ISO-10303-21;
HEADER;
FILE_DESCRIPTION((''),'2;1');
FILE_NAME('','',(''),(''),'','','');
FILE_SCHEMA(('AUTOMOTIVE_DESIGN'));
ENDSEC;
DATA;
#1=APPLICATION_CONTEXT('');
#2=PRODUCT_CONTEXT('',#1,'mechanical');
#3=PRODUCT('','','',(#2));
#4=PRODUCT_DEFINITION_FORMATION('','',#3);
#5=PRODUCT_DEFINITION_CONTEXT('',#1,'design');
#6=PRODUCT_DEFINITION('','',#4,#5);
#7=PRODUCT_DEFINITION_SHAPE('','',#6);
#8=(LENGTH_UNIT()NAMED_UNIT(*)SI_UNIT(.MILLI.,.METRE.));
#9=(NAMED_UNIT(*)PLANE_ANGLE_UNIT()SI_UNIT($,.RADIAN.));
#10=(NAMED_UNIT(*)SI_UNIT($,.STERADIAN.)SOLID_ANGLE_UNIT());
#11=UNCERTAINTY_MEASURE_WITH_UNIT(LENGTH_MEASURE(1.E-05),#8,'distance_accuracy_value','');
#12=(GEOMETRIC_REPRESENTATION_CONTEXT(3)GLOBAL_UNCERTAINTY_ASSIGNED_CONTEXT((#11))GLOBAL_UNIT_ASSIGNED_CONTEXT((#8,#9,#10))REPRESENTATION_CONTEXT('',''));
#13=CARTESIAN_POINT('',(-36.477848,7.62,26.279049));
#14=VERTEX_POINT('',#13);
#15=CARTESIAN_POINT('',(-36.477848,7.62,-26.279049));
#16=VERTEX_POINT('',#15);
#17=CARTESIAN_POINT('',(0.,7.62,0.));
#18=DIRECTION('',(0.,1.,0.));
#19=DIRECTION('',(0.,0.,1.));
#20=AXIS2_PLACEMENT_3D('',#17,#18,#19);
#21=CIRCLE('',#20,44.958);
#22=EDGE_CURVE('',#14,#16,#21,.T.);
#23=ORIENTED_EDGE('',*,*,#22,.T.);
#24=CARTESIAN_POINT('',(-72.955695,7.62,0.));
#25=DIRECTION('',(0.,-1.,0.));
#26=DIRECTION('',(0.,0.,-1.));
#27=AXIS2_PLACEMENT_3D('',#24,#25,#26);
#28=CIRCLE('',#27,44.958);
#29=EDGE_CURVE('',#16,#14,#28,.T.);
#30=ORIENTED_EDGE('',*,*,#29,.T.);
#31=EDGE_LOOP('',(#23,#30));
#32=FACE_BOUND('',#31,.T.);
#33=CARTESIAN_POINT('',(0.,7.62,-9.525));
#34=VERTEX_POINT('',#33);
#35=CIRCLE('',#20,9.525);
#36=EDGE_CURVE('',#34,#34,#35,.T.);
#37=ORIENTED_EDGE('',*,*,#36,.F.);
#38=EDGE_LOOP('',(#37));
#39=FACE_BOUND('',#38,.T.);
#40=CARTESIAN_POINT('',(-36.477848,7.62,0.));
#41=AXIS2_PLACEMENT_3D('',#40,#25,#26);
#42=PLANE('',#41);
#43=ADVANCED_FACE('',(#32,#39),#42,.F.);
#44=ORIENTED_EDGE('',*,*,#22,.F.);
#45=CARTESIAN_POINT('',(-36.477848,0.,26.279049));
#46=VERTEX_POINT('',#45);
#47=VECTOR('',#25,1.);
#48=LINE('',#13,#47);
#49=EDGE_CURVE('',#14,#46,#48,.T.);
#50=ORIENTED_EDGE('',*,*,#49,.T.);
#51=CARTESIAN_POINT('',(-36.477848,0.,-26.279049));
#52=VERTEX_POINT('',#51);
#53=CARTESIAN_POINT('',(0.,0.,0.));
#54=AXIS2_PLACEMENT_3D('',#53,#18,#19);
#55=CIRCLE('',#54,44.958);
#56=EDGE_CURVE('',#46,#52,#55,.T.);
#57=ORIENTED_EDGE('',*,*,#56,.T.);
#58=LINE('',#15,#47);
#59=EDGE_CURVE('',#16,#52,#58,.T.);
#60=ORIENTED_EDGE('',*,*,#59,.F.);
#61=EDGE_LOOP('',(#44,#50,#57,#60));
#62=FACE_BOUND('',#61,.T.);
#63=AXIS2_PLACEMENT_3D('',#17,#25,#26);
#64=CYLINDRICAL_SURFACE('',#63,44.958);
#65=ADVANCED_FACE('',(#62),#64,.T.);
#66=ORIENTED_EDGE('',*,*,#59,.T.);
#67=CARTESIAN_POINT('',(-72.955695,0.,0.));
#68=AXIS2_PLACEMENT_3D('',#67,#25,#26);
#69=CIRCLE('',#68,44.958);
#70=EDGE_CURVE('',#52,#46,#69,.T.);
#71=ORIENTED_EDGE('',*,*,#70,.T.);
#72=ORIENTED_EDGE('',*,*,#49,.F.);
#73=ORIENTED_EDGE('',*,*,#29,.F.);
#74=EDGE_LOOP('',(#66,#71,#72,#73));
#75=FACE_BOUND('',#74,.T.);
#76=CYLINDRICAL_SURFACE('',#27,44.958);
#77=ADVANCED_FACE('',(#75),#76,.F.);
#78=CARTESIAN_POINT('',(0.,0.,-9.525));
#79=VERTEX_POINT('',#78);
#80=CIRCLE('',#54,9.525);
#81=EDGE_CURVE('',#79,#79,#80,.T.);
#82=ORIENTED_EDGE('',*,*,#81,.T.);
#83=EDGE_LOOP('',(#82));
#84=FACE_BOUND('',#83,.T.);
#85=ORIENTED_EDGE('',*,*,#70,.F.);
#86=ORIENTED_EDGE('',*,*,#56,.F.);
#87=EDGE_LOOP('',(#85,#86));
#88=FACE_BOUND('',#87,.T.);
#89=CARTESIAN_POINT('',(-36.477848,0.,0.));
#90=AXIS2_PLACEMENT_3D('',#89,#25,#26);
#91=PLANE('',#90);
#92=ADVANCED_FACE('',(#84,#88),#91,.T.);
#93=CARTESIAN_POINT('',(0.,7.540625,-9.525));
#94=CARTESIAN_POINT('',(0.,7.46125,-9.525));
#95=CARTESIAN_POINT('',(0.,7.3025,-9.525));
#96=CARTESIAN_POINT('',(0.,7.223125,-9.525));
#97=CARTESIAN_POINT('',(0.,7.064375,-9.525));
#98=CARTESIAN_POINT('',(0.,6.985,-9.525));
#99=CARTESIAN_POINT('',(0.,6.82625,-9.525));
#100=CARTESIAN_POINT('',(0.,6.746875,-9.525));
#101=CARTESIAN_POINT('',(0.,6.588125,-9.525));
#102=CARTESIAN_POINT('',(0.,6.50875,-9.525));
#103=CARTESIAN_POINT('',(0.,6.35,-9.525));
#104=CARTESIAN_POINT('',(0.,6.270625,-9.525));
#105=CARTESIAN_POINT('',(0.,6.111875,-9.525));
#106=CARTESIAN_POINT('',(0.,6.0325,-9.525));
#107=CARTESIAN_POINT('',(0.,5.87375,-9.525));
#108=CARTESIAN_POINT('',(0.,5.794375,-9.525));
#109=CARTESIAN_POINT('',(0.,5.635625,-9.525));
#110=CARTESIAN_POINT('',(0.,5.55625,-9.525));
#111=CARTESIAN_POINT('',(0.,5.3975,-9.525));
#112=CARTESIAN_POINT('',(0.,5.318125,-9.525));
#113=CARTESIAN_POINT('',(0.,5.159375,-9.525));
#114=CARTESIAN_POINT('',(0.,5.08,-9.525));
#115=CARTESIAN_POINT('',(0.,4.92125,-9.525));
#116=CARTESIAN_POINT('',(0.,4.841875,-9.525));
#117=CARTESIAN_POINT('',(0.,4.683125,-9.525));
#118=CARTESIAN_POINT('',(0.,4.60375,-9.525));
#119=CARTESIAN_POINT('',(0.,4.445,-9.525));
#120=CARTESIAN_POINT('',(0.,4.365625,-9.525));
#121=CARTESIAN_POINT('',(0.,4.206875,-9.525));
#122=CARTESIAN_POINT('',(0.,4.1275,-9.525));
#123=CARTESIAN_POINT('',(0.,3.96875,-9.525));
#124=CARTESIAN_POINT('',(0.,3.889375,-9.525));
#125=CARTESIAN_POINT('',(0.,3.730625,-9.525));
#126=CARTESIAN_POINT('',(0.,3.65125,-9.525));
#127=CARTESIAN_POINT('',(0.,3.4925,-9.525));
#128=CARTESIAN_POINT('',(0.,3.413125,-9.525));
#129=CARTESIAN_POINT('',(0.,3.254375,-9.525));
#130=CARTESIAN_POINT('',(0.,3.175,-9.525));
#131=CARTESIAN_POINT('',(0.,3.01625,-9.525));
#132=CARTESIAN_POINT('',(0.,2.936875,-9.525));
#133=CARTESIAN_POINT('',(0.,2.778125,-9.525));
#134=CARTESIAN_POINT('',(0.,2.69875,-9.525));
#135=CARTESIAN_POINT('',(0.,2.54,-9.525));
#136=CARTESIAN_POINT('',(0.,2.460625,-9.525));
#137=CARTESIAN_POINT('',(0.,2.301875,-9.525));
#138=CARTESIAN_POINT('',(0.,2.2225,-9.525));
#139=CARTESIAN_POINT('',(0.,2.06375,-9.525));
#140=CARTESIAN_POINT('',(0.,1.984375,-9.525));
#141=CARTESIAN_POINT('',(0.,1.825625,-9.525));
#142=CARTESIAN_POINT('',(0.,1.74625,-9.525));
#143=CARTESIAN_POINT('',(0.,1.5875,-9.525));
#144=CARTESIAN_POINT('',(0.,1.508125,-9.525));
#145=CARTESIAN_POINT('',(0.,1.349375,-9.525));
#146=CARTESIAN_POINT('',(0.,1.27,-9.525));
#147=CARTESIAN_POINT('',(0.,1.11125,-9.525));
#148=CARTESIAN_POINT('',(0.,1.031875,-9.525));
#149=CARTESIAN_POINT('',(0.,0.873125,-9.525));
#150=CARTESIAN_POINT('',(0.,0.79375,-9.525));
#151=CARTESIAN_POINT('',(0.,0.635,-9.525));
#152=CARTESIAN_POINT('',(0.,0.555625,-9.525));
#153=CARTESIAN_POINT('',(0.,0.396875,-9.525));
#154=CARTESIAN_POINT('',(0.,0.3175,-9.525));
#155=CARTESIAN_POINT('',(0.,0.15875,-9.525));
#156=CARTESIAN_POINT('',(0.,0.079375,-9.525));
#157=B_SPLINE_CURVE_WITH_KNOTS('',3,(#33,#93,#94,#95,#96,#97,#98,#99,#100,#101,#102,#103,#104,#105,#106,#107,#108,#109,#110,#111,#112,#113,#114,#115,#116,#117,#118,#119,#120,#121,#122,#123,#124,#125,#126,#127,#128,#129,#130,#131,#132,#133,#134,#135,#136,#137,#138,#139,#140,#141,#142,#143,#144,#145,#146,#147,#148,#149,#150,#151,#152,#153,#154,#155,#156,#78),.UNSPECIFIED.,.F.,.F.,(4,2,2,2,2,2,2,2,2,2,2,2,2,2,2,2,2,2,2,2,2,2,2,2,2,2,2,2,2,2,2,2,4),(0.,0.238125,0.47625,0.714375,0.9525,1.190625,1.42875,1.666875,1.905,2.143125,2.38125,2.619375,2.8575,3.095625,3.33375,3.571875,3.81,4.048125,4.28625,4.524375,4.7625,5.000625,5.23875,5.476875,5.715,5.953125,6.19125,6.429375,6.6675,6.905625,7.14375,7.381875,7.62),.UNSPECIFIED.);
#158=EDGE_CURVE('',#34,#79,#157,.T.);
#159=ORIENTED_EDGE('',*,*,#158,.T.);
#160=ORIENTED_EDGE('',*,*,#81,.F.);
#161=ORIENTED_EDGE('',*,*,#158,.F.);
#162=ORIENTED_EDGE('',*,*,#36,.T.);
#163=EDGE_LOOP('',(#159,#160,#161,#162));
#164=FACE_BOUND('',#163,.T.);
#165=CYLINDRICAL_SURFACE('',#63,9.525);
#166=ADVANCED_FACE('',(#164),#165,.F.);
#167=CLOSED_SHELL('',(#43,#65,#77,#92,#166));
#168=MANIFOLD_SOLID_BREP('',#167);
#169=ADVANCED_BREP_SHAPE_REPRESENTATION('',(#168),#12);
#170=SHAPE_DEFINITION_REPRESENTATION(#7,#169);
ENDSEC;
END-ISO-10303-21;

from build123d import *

# Parameters (mm, degrees)
SKETCH1_R           = 9.525
BOSS_EXTRUDE1_DEPTH = 7.62


with BuildPart() as part:
    # Sketch1 → Boss-Extrude1 (new body)
    with BuildSketch(Plane(origin=(0, 0, 0), x_dir=(1, 0, 0), z_dir=(0, 1, 0))):
        with BuildLine():
            ThreePointArc((-36.477847672, -26.27904856), (44.958, 0), (-36.477847672, 26.27904856))
            ThreePointArc((-36.477847672, 26.27904856), (-27.997695344, 0), (-36.477847672, -26.27904856))
        make_face()
        with Locations(Location((0, 0, 0), (0, 0, 90))):
            Circle(SKETCH1_R, mode=Mode.SUBTRACT)
    extrude(amount=BOSS_EXTRUDE1_DEPTH)


solid = part.part
